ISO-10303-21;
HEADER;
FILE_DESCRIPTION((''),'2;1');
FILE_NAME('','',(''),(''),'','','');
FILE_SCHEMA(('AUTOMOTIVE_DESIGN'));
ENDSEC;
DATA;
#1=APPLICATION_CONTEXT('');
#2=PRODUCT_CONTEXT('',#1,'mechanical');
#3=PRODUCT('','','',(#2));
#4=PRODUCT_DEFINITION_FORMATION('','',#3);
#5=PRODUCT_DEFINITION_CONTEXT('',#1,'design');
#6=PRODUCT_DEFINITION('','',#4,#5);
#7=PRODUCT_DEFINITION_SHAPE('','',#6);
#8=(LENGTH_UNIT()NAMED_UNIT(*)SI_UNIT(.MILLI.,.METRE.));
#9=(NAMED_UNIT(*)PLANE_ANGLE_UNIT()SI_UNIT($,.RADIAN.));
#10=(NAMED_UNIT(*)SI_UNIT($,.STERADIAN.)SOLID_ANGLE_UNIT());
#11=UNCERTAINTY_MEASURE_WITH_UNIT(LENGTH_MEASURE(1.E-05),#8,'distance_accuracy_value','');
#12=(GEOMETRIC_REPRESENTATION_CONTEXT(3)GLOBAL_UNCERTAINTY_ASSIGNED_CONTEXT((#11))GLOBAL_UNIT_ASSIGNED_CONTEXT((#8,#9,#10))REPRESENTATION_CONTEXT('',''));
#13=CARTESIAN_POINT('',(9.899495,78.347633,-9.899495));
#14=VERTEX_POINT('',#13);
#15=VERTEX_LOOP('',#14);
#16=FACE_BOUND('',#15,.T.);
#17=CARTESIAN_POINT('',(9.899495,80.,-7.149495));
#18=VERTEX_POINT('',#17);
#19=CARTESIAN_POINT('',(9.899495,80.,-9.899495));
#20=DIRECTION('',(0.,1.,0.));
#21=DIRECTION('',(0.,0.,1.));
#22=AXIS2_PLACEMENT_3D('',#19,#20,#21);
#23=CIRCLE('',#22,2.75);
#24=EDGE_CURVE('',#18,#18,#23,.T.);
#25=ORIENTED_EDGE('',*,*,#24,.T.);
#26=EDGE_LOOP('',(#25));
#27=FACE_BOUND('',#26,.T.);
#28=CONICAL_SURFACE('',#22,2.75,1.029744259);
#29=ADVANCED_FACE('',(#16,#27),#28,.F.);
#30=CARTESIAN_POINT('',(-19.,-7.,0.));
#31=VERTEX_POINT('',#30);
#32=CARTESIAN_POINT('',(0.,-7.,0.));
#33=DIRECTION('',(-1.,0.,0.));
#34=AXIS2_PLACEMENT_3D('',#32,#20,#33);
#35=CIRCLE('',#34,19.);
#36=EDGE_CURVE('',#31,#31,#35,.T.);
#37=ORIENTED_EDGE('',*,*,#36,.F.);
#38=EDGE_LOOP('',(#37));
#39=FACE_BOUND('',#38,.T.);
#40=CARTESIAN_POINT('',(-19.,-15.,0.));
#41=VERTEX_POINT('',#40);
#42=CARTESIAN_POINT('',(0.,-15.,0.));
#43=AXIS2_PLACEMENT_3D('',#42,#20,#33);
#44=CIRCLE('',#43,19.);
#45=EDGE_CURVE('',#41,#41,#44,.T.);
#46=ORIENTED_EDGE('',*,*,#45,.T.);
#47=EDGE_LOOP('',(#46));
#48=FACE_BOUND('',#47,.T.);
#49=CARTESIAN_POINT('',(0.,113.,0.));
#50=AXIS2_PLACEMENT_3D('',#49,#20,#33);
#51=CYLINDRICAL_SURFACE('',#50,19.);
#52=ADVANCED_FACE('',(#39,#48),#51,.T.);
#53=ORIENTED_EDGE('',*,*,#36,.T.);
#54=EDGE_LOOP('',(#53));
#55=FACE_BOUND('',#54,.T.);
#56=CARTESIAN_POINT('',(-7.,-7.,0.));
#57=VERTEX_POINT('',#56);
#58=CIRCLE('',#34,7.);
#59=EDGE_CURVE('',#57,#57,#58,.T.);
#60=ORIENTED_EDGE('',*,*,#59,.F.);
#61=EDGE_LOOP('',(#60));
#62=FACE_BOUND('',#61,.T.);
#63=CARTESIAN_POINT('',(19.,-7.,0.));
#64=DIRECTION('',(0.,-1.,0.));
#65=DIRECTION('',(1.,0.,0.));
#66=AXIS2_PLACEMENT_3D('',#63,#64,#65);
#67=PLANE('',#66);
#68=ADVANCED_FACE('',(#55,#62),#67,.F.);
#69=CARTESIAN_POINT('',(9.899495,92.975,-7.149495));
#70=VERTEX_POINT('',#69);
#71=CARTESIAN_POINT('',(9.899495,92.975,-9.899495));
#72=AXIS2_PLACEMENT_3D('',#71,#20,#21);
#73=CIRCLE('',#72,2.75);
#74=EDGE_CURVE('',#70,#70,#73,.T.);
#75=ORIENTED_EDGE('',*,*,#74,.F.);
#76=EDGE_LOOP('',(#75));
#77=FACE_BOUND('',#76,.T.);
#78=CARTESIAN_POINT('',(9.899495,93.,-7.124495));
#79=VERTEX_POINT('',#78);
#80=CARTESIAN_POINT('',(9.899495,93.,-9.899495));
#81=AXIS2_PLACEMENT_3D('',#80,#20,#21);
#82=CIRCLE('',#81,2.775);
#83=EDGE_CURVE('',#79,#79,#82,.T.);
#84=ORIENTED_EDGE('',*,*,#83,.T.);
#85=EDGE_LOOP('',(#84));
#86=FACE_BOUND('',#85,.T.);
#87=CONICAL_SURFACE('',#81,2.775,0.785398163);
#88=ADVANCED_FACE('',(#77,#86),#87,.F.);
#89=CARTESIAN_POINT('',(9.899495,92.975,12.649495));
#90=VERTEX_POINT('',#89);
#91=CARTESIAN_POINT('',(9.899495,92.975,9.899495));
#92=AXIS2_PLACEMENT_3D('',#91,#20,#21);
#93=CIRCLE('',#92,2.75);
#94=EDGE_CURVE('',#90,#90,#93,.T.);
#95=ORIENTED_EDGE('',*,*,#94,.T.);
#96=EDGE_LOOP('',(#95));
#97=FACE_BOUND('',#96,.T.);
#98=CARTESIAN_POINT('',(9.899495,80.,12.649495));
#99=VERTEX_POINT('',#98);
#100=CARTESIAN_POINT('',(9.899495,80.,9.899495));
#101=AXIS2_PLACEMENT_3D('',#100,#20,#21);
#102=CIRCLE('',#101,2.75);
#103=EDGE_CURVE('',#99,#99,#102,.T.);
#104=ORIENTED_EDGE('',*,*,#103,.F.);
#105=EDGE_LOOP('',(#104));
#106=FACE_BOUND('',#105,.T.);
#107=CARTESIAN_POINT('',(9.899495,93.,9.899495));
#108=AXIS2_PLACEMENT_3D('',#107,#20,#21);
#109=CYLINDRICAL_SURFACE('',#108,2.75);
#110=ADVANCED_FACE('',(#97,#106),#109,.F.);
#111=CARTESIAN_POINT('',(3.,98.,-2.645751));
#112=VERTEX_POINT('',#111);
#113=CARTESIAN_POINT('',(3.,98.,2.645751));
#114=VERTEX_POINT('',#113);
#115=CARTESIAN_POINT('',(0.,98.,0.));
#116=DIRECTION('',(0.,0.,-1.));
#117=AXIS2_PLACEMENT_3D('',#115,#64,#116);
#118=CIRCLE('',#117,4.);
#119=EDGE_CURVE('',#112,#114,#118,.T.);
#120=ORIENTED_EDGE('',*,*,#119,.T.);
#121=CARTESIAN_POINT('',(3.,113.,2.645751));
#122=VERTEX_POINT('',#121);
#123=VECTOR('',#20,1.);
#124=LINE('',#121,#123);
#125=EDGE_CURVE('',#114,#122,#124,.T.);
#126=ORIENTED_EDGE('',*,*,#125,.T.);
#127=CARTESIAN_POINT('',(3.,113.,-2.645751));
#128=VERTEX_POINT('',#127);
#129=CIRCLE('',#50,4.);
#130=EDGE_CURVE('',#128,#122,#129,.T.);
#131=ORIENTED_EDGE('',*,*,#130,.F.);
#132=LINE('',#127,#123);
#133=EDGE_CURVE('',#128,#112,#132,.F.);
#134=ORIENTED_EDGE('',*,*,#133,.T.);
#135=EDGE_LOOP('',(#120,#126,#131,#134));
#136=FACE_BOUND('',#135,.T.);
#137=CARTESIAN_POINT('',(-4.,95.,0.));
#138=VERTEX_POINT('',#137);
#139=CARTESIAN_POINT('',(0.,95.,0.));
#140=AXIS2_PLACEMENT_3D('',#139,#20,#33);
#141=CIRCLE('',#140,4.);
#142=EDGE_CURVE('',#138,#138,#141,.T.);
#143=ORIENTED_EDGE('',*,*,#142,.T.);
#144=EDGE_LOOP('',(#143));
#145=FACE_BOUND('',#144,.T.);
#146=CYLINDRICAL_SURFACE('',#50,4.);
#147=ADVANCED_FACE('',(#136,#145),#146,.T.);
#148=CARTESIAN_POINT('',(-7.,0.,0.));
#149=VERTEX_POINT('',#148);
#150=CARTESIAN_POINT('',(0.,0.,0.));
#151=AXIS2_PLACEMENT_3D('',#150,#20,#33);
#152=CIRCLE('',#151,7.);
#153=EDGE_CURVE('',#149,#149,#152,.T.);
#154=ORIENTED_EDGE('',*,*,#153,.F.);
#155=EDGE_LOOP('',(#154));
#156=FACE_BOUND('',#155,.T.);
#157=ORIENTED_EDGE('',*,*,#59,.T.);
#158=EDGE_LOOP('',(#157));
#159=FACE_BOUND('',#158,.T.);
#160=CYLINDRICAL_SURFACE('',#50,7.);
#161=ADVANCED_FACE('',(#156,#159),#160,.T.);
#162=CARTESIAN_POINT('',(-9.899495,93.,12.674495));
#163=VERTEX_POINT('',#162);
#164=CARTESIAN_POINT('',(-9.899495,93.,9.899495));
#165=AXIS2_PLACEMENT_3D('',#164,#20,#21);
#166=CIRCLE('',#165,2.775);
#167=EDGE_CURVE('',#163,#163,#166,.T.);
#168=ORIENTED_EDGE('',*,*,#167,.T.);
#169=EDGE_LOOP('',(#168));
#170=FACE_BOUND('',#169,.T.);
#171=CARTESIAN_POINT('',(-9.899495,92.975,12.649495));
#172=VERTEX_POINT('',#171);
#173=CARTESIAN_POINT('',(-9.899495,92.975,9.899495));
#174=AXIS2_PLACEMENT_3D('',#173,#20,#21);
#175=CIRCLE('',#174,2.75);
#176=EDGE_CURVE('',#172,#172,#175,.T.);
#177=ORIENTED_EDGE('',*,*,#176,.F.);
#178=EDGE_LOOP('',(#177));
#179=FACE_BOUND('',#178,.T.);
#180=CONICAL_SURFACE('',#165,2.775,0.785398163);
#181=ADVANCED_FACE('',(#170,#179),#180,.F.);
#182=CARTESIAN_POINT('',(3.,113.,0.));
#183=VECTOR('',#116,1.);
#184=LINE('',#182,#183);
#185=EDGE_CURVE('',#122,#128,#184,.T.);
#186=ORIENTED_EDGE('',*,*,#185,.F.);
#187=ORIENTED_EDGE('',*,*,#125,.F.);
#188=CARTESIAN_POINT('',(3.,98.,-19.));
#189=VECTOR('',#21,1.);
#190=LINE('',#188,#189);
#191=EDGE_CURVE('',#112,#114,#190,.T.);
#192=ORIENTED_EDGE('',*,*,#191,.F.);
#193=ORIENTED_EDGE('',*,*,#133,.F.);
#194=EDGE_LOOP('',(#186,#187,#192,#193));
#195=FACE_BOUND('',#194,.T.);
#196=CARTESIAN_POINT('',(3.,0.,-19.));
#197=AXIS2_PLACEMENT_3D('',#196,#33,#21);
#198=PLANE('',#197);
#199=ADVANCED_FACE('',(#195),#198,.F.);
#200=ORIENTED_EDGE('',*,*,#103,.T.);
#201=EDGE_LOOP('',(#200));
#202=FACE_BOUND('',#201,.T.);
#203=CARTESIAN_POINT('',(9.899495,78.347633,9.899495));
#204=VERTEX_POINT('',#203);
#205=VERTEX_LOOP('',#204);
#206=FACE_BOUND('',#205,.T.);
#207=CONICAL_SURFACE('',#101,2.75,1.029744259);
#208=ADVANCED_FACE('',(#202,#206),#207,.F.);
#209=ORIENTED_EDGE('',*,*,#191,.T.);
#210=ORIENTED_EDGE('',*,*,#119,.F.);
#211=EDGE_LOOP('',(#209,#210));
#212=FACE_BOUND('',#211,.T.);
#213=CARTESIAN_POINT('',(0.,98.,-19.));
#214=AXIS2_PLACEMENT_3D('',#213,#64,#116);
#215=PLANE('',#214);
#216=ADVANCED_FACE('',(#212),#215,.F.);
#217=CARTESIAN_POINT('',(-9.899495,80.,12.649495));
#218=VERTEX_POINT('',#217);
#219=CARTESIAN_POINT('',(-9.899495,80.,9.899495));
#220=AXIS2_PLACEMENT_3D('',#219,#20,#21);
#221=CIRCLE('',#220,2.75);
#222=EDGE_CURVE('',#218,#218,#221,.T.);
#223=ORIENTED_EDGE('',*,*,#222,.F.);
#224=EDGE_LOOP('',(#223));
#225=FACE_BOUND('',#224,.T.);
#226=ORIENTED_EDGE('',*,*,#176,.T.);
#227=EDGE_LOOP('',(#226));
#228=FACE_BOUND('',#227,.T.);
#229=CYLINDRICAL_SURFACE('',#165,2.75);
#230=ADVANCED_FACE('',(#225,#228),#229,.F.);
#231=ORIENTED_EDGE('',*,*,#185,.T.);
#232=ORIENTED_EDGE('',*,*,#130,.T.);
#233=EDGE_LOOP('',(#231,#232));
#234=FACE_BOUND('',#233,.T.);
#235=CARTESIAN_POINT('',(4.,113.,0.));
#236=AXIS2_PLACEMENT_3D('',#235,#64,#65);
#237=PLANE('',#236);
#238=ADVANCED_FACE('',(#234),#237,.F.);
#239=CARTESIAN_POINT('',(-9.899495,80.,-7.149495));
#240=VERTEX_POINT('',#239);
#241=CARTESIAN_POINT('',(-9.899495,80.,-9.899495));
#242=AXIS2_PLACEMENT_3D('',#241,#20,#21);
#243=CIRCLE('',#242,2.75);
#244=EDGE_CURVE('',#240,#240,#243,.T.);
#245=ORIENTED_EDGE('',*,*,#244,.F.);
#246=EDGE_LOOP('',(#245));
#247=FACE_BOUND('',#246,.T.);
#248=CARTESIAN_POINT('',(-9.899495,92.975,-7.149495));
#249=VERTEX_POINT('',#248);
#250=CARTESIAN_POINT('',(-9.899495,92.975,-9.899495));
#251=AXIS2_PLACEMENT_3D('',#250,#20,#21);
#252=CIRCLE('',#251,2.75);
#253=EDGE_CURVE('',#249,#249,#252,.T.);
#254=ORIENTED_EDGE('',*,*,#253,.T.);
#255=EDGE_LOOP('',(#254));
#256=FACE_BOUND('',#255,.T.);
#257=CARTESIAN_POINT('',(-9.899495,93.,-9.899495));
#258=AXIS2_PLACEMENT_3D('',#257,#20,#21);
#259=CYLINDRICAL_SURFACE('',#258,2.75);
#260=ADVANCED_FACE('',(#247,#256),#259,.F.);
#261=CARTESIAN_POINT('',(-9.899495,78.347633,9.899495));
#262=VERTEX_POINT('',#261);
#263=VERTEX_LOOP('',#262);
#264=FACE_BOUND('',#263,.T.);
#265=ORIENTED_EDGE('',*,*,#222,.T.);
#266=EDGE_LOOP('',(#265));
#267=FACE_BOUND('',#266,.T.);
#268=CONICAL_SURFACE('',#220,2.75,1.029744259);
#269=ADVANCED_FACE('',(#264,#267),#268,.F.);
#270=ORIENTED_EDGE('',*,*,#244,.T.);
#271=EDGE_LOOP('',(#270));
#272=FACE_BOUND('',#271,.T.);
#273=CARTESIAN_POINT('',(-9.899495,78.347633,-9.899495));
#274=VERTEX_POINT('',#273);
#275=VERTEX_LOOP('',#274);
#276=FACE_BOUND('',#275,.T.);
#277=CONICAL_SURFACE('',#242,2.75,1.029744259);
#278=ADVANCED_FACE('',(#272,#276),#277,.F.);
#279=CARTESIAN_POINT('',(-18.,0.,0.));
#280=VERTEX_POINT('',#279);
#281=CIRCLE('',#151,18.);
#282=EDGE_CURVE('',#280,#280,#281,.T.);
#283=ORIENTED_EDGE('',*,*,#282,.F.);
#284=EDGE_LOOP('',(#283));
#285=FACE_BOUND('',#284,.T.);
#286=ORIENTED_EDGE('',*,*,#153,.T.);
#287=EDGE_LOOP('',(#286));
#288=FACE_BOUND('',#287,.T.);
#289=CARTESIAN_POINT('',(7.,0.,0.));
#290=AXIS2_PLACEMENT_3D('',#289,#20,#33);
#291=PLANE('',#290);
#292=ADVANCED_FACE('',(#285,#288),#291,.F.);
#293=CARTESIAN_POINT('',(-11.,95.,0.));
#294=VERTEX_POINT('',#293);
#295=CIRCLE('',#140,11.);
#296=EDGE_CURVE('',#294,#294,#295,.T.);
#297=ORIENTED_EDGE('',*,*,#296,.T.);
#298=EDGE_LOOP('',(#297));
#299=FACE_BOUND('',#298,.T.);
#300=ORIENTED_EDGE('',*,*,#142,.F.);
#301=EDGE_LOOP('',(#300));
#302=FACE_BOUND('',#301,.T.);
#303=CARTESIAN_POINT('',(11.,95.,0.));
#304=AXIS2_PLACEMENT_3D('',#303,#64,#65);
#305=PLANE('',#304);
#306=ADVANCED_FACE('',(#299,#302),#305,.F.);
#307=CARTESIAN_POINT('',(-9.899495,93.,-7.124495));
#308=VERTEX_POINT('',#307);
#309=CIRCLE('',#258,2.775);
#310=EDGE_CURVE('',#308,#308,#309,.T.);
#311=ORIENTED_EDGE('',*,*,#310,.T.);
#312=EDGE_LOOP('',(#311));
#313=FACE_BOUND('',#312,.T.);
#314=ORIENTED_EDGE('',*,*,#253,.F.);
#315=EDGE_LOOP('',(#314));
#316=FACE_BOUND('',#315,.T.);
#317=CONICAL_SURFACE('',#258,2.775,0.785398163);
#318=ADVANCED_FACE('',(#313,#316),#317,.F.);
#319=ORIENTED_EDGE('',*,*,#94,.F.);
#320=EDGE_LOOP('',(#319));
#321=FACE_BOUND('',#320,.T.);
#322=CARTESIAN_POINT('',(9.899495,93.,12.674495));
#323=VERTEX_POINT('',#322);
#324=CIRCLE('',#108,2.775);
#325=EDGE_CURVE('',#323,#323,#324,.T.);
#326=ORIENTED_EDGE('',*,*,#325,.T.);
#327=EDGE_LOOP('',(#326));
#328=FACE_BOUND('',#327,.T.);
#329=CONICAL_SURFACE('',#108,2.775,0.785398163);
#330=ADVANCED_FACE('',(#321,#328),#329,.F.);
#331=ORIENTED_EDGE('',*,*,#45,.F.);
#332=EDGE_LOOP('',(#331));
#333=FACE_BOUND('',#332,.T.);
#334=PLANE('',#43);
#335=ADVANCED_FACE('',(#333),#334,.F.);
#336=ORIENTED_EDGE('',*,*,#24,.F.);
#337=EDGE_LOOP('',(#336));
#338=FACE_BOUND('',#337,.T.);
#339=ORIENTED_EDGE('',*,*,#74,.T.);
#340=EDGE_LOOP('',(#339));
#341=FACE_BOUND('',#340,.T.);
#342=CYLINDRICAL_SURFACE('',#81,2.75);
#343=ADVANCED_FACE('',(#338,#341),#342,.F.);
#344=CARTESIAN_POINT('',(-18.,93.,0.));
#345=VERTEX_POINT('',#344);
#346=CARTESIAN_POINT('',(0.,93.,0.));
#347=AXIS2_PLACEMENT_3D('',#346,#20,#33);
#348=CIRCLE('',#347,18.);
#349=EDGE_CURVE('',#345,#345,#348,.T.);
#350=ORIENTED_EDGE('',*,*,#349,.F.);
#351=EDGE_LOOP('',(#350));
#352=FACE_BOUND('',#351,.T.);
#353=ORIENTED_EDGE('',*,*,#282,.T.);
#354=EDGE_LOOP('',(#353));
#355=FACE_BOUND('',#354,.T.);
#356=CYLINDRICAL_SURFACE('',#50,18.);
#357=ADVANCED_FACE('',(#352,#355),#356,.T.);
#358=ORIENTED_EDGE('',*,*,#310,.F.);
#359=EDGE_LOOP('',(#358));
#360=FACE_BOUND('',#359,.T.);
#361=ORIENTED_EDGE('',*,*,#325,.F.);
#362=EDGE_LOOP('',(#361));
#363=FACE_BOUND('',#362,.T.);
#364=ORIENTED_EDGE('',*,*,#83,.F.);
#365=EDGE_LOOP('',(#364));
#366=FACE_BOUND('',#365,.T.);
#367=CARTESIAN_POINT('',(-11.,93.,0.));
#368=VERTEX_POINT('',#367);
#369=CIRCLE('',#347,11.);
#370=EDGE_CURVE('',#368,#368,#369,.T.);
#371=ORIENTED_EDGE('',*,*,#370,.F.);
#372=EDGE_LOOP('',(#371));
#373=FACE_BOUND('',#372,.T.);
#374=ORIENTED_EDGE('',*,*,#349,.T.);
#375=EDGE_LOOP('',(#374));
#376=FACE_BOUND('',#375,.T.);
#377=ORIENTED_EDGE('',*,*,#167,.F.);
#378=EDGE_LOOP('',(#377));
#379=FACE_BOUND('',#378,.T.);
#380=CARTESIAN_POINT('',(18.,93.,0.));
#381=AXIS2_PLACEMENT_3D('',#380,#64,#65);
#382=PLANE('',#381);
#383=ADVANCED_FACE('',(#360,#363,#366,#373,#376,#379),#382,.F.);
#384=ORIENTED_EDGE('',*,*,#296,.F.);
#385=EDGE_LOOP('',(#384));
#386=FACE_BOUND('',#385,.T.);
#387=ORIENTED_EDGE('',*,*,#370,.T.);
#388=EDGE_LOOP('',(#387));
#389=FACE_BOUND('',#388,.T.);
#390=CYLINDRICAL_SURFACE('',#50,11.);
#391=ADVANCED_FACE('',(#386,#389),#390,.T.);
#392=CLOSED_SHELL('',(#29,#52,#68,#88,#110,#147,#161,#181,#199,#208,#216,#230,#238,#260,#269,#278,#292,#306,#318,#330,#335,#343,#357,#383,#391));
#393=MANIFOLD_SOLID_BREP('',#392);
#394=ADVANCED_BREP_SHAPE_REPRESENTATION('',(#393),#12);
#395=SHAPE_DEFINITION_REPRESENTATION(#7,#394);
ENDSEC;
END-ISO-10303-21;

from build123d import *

# Parameters (mm, degrees)
SKETCH2_W                      = 1.704522774
SKETCH2_H                      = 15
CUT_EXTRUDE1_DEPTH             = 20
CUT_EXTRUDE1_DEPTH_BACK        = 20
M5_CLEARANCE_HOLE1_D           = 5.5
M5_CLEARANCE_HOLE1_DEPTH       = 13
M5_CLEARANCE_HOLE1_CSINK_D     = 5.55
M5_CLEARANCE_HOLE1_CSINK_ANGLE = 90
M5_CLEARANCE_HOLE1_TIP         = 1.652366702


with BuildPart() as part:
    # Sketch1 → Revolve1 (revolve)
    with BuildSketch(Plane.XY):
        Polygon((18, 93), (11, 93), (11, 95), (4, 95), (4, 113), (0, 113), (0, 0), (0, -15), (19, -15), (19, -7), (7, -7), (7, 0), (18, 0), (18, 57), align=None)
    revolve(axis=Axis((0, 113, 0), (0, -1, 0)))

    # Sketch2 → Cut-Extrude1 (cut, two sides)
    with BuildSketch(Plane.XY) as cut_extrude1_sk:
        with Locations((3.852261387, 105.5)):
            Rectangle(SKETCH2_W, SKETCH2_H)
    extrude(amount=CUT_EXTRUDE1_DEPTH, mode=Mode.SUBTRACT)
    extrude(cut_extrude1_sk.sketch, amount=-CUT_EXTRUDE1_DEPTH_BACK, mode=Mode.SUBTRACT)

    # M5 Clearance Hole1
    with Locations(Plane(origin=(0, 93, 0), x_dir=(1, 0, 0), z_dir=(0, 1, 0))):
        with Locations((-9.899494937, 9.899494937), (-9.899494937, -9.899494937), (9.899494937, -9.899494937), (9.899494937, 9.899494937)):
            CounterSinkHole(M5_CLEARANCE_HOLE1_D / 2, M5_CLEARANCE_HOLE1_CSINK_D / 2, depth=M5_CLEARANCE_HOLE1_DEPTH, counter_sink_angle=M5_CLEARANCE_HOLE1_CSINK_ANGLE)
            with Locations((0, 0, -(M5_CLEARANCE_HOLE1_DEPTH + M5_CLEARANCE_HOLE1_TIP / 2))):  # 118° drill point
                Cone(0, M5_CLEARANCE_HOLE1_D / 2, M5_CLEARANCE_HOLE1_TIP, mode=Mode.SUBTRACT)


solid = part.part
